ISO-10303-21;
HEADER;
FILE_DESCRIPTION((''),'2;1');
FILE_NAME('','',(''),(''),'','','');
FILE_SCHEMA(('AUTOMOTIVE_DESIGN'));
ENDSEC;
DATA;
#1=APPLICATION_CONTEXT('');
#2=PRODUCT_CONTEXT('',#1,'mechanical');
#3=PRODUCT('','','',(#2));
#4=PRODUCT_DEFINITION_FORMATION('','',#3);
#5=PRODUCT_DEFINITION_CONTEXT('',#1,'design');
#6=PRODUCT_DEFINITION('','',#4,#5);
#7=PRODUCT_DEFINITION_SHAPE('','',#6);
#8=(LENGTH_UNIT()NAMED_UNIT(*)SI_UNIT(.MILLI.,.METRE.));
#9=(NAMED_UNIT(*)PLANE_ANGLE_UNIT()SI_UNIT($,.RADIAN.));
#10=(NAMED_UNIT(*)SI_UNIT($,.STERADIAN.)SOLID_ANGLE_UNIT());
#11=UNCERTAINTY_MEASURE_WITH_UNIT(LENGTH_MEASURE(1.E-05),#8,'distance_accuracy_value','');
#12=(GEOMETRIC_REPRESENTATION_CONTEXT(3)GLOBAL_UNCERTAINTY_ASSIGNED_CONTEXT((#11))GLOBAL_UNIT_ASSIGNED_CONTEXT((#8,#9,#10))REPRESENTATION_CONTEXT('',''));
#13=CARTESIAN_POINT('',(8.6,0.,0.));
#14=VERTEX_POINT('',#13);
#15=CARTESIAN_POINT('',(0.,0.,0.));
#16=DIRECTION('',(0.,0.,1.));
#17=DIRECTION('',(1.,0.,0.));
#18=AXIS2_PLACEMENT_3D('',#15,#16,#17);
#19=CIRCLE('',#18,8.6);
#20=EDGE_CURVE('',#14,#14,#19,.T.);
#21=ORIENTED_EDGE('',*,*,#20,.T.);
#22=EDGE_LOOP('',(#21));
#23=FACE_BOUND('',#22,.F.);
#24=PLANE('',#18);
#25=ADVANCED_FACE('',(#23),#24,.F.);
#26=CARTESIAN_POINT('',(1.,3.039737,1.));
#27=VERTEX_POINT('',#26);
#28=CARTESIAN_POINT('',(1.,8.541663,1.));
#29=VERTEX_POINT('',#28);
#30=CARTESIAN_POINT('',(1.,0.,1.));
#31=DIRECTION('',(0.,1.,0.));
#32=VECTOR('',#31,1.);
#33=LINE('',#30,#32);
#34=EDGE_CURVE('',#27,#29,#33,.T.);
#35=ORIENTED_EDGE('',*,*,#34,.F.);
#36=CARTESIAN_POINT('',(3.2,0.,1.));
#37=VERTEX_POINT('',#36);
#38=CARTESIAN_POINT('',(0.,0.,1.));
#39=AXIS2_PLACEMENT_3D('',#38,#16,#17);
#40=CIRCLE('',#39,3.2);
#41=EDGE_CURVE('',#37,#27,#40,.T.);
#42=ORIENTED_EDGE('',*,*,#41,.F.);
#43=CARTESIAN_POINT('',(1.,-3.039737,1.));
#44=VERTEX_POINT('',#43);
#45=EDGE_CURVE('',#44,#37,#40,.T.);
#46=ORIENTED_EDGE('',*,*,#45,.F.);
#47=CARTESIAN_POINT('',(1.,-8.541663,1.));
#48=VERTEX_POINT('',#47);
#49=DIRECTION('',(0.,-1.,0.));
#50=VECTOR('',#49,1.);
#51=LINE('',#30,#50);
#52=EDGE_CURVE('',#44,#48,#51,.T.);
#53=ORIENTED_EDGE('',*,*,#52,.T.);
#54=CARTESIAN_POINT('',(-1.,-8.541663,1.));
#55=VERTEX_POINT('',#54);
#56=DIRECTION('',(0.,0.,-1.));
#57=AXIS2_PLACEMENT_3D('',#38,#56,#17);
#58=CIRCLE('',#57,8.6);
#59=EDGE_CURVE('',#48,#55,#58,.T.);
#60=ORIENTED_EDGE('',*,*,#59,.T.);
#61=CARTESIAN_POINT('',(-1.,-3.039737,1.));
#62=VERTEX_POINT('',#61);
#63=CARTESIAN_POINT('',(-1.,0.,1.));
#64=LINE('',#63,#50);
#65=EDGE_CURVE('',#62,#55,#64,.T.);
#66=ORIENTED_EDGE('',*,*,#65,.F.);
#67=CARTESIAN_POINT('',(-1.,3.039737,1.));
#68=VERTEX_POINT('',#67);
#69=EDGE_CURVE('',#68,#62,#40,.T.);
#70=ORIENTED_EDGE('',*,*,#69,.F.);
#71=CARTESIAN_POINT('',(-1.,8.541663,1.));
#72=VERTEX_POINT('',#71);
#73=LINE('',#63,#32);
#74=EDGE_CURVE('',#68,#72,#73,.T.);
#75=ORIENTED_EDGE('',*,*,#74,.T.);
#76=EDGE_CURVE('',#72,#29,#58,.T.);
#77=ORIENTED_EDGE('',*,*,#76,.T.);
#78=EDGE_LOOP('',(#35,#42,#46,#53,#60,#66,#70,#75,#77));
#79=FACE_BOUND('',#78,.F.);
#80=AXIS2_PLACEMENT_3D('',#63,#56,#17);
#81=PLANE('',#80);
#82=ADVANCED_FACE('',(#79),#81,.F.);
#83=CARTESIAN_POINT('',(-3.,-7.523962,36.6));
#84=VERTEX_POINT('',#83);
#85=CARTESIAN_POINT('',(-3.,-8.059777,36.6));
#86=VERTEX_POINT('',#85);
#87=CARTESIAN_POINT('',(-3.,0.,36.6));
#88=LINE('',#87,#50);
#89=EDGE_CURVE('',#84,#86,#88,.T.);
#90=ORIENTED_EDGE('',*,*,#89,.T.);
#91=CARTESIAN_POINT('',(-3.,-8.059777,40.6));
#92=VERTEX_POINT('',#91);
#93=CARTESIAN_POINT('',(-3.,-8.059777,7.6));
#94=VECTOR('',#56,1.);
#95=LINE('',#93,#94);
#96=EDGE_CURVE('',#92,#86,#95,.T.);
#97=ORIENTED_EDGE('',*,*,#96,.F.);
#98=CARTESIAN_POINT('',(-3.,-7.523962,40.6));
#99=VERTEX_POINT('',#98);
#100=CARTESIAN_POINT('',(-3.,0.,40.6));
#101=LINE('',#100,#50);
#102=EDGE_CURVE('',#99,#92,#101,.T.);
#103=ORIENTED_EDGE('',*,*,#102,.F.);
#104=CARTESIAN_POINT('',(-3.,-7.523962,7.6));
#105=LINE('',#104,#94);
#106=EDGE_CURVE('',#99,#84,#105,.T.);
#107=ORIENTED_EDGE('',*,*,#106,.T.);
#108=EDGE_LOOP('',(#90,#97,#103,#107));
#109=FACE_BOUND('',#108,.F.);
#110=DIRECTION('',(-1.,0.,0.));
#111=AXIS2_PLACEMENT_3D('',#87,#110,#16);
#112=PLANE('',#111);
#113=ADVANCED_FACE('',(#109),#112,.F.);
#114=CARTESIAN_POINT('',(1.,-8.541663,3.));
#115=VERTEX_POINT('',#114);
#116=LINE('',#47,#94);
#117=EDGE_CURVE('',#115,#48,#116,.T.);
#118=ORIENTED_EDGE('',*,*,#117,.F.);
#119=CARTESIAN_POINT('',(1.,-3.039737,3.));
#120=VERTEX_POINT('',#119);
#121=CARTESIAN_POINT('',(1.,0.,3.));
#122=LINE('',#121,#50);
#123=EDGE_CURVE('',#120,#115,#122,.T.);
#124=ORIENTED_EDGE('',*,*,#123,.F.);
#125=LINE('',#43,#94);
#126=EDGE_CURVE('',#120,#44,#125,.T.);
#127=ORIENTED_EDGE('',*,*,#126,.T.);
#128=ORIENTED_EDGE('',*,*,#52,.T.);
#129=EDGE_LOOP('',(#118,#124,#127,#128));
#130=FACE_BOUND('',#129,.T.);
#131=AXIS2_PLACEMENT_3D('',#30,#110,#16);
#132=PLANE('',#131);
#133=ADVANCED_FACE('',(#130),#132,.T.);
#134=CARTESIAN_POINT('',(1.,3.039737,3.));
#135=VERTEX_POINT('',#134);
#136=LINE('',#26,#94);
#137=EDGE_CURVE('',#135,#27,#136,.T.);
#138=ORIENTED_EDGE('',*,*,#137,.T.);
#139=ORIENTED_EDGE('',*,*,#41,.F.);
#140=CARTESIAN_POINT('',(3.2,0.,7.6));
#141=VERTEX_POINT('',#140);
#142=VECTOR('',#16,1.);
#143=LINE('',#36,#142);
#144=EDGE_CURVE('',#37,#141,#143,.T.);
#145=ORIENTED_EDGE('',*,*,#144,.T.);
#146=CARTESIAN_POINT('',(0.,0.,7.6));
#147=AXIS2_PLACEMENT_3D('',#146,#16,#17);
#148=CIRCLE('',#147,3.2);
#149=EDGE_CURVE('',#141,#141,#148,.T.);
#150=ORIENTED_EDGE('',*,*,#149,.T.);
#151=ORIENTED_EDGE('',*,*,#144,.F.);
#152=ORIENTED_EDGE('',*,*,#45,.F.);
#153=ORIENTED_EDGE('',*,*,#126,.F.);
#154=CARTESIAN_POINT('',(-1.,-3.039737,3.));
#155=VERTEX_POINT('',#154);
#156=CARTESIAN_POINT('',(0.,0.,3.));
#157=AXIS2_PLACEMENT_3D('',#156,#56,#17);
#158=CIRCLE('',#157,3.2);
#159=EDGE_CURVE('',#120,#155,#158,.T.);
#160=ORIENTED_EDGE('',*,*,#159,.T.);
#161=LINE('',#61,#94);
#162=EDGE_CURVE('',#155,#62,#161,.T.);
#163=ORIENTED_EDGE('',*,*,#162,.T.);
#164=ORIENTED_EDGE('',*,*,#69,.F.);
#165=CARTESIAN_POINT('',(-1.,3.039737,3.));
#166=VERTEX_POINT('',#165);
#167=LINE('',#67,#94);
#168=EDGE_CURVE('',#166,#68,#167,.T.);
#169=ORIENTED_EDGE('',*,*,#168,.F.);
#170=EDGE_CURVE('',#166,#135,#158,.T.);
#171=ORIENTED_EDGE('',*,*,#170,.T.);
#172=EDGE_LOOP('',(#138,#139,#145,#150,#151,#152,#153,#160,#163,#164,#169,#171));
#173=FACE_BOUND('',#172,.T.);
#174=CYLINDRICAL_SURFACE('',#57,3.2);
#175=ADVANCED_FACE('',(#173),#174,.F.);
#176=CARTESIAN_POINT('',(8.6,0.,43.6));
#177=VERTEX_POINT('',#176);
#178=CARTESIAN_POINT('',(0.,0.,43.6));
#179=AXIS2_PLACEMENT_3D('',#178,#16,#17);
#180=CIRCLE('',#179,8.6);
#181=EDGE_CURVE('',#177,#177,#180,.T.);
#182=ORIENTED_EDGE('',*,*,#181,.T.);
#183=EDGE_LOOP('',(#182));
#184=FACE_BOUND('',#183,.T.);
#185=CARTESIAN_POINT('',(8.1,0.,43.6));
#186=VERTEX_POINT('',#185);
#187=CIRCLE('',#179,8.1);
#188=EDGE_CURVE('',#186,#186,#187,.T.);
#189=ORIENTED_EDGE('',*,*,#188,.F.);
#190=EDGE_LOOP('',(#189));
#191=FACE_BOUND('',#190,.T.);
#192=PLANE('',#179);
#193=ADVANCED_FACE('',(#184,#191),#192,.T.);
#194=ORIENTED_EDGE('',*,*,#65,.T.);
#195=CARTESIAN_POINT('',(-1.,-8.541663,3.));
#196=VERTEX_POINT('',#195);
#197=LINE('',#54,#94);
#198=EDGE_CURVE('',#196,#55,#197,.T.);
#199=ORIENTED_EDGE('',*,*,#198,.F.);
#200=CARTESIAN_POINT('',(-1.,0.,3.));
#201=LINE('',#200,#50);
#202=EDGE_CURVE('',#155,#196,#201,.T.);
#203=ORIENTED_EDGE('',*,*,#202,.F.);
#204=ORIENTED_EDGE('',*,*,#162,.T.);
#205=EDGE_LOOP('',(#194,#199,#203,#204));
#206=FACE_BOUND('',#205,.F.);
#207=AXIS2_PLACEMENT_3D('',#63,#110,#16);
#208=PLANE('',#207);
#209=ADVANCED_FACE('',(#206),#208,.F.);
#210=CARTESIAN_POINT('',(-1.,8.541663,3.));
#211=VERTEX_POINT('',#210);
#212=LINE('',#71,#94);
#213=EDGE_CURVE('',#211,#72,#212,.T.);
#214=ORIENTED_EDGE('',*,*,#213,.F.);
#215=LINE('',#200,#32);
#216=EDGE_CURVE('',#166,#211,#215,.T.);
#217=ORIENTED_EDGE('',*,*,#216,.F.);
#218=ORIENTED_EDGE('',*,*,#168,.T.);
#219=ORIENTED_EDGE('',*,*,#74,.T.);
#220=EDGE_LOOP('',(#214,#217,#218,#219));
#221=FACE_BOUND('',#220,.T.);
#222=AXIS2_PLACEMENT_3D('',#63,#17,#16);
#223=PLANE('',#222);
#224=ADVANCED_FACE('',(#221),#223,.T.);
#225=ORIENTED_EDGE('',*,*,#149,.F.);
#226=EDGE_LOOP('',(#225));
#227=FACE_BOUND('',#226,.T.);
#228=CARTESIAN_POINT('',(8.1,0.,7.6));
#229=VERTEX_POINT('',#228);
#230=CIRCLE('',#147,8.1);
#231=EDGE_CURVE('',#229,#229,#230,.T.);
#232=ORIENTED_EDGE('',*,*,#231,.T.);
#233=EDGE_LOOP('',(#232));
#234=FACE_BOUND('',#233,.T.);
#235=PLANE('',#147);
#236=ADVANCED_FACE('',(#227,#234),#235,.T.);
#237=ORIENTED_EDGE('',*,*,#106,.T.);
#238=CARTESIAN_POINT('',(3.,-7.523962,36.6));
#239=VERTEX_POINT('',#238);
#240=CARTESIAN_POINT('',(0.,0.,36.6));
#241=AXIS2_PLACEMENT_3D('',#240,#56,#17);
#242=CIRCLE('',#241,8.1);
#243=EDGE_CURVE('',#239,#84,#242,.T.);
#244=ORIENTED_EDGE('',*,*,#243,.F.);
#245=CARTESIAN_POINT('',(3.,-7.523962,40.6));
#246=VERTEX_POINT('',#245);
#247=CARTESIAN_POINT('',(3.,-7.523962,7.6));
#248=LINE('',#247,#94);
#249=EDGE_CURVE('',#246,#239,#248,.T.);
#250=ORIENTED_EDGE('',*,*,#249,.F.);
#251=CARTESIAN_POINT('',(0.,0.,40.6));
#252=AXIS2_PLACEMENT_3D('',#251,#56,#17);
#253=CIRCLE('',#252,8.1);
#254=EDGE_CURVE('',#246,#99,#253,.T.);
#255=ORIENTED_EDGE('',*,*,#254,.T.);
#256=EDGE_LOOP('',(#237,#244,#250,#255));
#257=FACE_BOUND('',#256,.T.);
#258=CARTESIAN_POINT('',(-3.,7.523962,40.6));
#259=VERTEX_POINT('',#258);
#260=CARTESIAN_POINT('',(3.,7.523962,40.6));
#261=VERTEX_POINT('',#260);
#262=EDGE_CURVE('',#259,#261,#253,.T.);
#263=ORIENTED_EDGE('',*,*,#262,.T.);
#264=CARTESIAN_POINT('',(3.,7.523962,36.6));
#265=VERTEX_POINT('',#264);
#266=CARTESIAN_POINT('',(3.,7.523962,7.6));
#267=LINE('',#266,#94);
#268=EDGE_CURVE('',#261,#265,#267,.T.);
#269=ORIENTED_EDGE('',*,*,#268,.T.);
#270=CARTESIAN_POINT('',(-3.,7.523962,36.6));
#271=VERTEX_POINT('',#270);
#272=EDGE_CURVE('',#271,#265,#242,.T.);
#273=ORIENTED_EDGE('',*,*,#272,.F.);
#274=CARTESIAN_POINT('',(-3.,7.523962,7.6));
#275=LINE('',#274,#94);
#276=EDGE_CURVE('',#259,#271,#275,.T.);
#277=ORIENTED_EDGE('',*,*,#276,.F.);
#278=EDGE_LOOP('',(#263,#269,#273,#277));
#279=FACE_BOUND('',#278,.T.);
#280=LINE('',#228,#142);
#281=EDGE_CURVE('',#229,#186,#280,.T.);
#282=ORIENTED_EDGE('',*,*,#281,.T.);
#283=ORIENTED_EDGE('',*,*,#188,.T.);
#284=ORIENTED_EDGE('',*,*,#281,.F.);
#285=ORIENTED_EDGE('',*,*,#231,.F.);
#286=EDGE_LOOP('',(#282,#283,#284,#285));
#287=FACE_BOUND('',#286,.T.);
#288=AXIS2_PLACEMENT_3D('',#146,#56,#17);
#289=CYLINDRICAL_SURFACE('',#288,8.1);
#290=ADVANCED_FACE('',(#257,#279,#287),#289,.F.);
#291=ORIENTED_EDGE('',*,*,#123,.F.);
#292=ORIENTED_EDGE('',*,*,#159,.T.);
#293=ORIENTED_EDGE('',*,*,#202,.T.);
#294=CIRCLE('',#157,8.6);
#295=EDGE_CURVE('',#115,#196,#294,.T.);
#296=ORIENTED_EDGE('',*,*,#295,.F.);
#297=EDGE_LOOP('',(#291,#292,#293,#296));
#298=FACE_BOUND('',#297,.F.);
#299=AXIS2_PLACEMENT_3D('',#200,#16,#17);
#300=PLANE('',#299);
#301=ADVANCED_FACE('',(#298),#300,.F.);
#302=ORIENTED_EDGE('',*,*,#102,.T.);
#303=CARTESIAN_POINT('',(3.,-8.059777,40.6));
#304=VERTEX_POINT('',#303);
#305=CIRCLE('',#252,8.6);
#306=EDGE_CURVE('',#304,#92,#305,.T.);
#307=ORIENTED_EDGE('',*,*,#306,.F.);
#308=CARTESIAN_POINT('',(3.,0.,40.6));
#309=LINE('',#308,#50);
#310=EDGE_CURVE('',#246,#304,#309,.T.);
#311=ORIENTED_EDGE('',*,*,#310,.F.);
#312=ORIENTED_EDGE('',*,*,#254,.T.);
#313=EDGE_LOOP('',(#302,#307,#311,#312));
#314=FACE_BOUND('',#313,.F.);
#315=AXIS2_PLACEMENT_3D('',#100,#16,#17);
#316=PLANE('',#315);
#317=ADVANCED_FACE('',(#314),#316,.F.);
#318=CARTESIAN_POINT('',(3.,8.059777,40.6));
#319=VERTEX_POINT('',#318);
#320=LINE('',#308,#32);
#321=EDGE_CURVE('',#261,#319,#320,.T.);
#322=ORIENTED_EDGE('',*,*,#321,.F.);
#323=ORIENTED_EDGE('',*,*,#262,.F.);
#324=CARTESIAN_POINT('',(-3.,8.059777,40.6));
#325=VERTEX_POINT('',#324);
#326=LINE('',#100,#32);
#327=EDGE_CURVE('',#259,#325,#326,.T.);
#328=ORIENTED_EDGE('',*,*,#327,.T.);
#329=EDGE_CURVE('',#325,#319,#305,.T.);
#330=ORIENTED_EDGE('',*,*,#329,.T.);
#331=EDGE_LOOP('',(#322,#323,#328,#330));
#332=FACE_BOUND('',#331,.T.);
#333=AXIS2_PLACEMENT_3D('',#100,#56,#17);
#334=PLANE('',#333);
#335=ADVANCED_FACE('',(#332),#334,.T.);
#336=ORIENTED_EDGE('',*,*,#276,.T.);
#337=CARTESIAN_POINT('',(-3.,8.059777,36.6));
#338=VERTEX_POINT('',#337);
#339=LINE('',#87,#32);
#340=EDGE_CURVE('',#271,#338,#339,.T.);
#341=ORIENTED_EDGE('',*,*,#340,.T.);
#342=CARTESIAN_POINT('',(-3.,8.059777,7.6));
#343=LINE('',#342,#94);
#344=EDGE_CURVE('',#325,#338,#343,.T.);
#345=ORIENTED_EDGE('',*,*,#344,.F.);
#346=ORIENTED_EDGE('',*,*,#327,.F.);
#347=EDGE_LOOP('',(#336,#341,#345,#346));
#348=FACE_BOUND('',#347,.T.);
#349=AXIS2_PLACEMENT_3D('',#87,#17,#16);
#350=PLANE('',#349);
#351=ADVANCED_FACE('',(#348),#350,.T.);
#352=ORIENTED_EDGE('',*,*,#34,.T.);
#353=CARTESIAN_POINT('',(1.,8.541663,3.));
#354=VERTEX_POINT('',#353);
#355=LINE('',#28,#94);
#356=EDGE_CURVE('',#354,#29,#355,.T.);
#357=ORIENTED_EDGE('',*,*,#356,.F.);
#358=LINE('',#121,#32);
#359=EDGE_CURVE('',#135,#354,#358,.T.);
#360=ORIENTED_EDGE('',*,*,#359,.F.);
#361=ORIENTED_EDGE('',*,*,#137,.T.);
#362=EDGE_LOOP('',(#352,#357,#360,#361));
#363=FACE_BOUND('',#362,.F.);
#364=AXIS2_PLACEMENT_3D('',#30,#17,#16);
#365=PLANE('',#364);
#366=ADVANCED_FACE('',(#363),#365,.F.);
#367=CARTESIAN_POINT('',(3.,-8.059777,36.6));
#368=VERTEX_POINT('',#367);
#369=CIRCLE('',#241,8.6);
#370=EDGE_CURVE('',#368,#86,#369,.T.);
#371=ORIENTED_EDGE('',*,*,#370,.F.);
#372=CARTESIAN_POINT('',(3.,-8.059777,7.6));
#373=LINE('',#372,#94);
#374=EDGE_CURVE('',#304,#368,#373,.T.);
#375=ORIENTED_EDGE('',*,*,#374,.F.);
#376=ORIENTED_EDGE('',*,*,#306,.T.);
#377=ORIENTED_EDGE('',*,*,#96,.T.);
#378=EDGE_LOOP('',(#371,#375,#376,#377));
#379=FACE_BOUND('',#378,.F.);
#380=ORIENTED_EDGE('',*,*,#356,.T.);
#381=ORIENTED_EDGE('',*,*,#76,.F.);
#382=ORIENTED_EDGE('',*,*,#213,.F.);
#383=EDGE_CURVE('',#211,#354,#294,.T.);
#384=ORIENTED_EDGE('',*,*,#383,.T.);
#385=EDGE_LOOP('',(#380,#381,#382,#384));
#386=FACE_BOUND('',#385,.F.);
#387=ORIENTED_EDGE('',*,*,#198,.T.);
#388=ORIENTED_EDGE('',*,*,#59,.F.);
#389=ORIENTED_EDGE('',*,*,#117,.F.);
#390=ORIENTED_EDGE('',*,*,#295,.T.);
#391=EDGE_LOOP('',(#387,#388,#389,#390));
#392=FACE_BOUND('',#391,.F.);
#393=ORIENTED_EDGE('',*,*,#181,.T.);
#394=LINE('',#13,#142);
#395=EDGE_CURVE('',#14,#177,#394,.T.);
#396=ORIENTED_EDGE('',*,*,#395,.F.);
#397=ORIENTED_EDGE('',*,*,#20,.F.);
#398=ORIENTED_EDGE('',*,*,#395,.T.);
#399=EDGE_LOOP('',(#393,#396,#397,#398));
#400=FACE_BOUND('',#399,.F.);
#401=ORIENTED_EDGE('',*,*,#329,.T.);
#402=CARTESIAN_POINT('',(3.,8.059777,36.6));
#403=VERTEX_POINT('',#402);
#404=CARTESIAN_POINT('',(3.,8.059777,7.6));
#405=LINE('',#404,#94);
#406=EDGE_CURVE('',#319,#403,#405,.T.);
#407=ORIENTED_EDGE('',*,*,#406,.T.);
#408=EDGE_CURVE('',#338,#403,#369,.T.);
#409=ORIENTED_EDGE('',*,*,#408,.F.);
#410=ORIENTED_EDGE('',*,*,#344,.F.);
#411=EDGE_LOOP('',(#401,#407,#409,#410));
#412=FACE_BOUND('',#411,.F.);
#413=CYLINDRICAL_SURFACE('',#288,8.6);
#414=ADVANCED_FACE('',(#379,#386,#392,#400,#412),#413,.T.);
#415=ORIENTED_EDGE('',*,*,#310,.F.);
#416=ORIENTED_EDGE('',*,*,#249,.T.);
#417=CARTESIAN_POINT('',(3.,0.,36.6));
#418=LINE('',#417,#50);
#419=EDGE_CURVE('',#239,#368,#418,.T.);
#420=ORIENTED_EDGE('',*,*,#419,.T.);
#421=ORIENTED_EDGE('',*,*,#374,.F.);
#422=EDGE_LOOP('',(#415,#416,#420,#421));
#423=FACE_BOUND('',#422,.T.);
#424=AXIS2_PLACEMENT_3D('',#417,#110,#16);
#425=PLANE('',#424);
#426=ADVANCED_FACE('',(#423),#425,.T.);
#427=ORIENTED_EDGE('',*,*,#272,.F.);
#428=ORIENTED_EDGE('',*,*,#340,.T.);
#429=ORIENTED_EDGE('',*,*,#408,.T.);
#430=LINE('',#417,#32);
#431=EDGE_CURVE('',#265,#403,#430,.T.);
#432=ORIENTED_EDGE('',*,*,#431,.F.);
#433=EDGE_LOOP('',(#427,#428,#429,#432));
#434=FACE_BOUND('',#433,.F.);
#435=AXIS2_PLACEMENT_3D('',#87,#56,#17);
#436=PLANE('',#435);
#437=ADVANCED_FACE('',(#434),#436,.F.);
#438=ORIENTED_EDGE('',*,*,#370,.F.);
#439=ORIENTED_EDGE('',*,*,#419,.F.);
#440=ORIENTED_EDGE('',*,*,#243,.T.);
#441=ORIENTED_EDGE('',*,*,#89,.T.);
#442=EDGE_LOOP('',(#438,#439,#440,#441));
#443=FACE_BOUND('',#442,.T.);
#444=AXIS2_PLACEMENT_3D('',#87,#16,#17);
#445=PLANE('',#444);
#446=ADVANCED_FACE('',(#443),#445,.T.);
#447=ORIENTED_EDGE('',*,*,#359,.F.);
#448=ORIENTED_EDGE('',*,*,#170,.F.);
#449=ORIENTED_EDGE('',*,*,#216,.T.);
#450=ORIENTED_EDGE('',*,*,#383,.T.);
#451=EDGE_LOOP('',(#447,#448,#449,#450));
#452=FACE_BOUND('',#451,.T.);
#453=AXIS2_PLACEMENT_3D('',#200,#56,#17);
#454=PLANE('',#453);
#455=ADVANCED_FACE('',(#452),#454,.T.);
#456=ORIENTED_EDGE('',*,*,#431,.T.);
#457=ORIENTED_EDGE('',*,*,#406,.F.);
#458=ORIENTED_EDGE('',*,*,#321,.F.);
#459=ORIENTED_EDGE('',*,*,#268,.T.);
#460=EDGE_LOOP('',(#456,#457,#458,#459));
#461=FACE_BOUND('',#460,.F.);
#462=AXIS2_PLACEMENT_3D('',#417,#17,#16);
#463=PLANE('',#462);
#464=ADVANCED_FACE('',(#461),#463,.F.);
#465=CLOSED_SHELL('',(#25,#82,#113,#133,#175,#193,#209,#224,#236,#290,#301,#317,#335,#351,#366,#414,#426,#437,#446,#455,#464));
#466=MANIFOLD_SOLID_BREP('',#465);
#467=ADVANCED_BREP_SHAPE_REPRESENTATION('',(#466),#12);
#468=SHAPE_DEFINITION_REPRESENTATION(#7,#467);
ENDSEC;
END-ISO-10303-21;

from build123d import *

# Parameters (mm, degrees)
SKETCH_R             = 8.6
PAD_DEPTH            = 1
SKETCH001_R          = 8.6
SKETCH001_R_2        = 3.2
PAD001_DEPTH         = 6.6
SKETCH002_W          = 2
SKETCH002_H          = 2
POCKET_DEPTH         = 8.601
POCKET_DEPTH_BACK    = -8.601
SKETCH003_R          = 8.6
SKETCH003_R_2        = 8.1
PAD002_DEPTH         = 36
SKETCH004_W          = 6
SKETCH004_H          = 4
POCKET001_DEPTH      = 8.601
POCKET001_DEPTH_BACK = -8.601


with BuildPart() as part:
    # Sketch → Pad (new body)
    with BuildSketch(Plane.XY):
        Circle(SKETCH_R)
    extrude(amount=PAD_DEPTH)

    # Sketch001 (on Face3 of Pad) → Pad001 (join)
    with BuildSketch(Plane.XY.offset(1)):
        Circle(SKETCH001_R)
        Circle(SKETCH001_R_2, mode=Mode.SUBTRACT)
    extrude(amount=PAD001_DEPTH)

    # Sketch002 → Pocket (cut, two sides)
    with BuildSketch(Plane.XZ) as pocket_sk:
        with Locations((0, 2)):
            Rectangle(SKETCH002_W, SKETCH002_H)
    extrude(amount=-POCKET_DEPTH, mode=Mode.SUBTRACT)
    extrude(pocket_sk.sketch, amount=-POCKET_DEPTH_BACK, mode=Mode.SUBTRACT)

    # Sketch003 (on Face12 of Pocket) → Pad002 (join)
    with BuildSketch(Plane.XY.offset(7.6)):
        Circle(SKETCH003_R)
        Circle(SKETCH003_R_2, mode=Mode.SUBTRACT)
    extrude(amount=PAD002_DEPTH)

    # Sketch004 → Pocket001 (cut, two sides)
    with BuildSketch(Plane.XZ) as pocket001_sk:
        with Locations((0, 38.6)):
            Rectangle(SKETCH004_W, SKETCH004_H)
    extrude(amount=-POCKET001_DEPTH, mode=Mode.SUBTRACT)
    extrude(pocket001_sk.sketch, amount=-POCKET001_DEPTH_BACK, mode=Mode.SUBTRACT)


solid = part.part
